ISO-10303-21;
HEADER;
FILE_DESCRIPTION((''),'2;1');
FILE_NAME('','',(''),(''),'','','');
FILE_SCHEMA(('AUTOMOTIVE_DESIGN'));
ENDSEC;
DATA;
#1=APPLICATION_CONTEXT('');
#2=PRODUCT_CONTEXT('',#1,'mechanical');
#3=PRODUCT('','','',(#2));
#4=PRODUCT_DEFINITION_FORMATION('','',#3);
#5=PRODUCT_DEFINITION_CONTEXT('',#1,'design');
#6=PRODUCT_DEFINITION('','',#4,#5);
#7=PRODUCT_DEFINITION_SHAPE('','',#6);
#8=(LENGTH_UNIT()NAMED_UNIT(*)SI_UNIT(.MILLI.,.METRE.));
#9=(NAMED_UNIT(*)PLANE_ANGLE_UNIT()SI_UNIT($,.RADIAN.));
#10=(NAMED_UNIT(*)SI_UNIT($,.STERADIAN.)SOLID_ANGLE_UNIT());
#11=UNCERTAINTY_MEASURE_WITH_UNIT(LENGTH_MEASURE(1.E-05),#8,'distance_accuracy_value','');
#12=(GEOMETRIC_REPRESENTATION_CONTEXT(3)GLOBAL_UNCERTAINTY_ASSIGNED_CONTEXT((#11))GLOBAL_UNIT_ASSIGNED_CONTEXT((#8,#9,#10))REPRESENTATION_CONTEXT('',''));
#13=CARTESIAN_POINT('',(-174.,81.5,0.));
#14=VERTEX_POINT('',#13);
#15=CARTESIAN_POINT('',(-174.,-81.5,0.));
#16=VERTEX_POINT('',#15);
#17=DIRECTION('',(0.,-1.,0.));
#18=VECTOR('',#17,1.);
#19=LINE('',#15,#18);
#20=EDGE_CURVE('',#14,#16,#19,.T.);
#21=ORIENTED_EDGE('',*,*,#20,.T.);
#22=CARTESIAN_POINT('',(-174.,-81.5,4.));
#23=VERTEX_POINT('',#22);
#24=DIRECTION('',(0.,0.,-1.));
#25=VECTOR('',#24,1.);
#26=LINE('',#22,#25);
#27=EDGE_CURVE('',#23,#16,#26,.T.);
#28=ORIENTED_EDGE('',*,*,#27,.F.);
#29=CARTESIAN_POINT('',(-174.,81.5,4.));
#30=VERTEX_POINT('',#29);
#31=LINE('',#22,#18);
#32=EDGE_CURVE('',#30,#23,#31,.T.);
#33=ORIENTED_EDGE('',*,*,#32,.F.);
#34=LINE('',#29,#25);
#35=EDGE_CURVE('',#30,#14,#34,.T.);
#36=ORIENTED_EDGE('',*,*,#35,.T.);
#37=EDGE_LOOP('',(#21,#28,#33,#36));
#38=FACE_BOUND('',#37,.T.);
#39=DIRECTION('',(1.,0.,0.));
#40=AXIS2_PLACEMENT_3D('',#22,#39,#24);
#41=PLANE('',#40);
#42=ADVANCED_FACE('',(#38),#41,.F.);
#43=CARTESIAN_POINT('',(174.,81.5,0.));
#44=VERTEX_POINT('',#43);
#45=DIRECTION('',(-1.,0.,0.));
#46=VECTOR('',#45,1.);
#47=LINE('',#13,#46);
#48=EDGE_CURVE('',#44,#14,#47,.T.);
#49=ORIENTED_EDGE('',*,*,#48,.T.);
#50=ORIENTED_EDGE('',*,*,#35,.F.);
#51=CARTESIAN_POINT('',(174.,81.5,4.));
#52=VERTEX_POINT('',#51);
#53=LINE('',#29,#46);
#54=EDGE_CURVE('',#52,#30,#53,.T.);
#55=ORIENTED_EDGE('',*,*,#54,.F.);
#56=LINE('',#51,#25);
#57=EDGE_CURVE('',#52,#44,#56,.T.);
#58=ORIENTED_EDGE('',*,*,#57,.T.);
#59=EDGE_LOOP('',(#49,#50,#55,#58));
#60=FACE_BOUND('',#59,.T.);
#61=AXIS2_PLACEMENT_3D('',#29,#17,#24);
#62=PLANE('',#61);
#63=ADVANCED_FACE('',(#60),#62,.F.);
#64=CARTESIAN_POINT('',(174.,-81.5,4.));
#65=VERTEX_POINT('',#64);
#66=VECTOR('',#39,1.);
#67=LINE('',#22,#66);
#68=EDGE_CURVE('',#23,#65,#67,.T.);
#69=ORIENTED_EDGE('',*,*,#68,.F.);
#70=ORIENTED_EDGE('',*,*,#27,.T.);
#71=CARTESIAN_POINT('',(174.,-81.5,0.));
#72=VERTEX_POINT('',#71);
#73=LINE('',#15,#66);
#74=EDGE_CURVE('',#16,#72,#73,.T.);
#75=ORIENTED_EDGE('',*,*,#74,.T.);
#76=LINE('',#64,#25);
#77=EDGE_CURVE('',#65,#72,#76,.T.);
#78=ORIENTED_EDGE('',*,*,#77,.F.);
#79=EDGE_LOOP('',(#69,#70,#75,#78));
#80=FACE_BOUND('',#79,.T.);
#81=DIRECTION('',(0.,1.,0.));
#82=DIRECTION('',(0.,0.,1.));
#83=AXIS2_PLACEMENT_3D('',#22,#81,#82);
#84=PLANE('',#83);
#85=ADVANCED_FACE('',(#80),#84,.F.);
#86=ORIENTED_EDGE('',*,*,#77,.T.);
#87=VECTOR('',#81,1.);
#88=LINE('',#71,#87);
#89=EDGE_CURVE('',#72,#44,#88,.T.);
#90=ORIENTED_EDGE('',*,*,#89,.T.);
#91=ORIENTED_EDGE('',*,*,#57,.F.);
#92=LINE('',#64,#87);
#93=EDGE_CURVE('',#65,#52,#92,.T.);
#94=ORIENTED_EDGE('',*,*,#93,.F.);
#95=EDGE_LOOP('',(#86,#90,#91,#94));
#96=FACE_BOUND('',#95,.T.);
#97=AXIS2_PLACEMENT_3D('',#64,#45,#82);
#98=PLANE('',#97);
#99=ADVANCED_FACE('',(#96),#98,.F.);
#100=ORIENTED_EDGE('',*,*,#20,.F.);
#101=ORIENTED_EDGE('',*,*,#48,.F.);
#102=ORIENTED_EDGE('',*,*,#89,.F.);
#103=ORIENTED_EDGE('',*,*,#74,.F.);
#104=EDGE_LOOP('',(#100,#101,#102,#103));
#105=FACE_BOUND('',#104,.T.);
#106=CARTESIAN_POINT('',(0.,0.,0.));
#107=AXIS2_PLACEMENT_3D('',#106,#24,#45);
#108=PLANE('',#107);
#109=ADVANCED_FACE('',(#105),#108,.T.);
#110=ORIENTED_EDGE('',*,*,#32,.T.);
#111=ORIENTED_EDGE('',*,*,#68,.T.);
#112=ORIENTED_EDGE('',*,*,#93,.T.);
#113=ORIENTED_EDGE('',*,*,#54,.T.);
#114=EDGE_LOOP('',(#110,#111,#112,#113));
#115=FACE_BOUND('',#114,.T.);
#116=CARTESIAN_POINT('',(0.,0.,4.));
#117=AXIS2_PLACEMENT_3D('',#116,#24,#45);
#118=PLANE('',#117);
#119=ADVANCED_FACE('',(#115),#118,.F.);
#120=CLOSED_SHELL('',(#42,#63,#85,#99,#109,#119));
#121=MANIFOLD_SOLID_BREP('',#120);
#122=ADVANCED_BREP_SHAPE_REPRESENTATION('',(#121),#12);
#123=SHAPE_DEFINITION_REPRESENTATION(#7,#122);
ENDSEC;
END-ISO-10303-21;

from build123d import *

# Parameters (mm, degrees)
ESQUISSE1_W        = 348
ESQUISSE1_H        = 163
BOSS_EXTRU_1_DEPTH = 4


with BuildPart() as part:
    # Esquisse1 → Boss.-Extru.1 (new body)
    with BuildSketch(Plane.XY):
        Rectangle(ESQUISSE1_W, ESQUISSE1_H)
    extrude(amount=BOSS_EXTRU_1_DEPTH)


solid = part.part
